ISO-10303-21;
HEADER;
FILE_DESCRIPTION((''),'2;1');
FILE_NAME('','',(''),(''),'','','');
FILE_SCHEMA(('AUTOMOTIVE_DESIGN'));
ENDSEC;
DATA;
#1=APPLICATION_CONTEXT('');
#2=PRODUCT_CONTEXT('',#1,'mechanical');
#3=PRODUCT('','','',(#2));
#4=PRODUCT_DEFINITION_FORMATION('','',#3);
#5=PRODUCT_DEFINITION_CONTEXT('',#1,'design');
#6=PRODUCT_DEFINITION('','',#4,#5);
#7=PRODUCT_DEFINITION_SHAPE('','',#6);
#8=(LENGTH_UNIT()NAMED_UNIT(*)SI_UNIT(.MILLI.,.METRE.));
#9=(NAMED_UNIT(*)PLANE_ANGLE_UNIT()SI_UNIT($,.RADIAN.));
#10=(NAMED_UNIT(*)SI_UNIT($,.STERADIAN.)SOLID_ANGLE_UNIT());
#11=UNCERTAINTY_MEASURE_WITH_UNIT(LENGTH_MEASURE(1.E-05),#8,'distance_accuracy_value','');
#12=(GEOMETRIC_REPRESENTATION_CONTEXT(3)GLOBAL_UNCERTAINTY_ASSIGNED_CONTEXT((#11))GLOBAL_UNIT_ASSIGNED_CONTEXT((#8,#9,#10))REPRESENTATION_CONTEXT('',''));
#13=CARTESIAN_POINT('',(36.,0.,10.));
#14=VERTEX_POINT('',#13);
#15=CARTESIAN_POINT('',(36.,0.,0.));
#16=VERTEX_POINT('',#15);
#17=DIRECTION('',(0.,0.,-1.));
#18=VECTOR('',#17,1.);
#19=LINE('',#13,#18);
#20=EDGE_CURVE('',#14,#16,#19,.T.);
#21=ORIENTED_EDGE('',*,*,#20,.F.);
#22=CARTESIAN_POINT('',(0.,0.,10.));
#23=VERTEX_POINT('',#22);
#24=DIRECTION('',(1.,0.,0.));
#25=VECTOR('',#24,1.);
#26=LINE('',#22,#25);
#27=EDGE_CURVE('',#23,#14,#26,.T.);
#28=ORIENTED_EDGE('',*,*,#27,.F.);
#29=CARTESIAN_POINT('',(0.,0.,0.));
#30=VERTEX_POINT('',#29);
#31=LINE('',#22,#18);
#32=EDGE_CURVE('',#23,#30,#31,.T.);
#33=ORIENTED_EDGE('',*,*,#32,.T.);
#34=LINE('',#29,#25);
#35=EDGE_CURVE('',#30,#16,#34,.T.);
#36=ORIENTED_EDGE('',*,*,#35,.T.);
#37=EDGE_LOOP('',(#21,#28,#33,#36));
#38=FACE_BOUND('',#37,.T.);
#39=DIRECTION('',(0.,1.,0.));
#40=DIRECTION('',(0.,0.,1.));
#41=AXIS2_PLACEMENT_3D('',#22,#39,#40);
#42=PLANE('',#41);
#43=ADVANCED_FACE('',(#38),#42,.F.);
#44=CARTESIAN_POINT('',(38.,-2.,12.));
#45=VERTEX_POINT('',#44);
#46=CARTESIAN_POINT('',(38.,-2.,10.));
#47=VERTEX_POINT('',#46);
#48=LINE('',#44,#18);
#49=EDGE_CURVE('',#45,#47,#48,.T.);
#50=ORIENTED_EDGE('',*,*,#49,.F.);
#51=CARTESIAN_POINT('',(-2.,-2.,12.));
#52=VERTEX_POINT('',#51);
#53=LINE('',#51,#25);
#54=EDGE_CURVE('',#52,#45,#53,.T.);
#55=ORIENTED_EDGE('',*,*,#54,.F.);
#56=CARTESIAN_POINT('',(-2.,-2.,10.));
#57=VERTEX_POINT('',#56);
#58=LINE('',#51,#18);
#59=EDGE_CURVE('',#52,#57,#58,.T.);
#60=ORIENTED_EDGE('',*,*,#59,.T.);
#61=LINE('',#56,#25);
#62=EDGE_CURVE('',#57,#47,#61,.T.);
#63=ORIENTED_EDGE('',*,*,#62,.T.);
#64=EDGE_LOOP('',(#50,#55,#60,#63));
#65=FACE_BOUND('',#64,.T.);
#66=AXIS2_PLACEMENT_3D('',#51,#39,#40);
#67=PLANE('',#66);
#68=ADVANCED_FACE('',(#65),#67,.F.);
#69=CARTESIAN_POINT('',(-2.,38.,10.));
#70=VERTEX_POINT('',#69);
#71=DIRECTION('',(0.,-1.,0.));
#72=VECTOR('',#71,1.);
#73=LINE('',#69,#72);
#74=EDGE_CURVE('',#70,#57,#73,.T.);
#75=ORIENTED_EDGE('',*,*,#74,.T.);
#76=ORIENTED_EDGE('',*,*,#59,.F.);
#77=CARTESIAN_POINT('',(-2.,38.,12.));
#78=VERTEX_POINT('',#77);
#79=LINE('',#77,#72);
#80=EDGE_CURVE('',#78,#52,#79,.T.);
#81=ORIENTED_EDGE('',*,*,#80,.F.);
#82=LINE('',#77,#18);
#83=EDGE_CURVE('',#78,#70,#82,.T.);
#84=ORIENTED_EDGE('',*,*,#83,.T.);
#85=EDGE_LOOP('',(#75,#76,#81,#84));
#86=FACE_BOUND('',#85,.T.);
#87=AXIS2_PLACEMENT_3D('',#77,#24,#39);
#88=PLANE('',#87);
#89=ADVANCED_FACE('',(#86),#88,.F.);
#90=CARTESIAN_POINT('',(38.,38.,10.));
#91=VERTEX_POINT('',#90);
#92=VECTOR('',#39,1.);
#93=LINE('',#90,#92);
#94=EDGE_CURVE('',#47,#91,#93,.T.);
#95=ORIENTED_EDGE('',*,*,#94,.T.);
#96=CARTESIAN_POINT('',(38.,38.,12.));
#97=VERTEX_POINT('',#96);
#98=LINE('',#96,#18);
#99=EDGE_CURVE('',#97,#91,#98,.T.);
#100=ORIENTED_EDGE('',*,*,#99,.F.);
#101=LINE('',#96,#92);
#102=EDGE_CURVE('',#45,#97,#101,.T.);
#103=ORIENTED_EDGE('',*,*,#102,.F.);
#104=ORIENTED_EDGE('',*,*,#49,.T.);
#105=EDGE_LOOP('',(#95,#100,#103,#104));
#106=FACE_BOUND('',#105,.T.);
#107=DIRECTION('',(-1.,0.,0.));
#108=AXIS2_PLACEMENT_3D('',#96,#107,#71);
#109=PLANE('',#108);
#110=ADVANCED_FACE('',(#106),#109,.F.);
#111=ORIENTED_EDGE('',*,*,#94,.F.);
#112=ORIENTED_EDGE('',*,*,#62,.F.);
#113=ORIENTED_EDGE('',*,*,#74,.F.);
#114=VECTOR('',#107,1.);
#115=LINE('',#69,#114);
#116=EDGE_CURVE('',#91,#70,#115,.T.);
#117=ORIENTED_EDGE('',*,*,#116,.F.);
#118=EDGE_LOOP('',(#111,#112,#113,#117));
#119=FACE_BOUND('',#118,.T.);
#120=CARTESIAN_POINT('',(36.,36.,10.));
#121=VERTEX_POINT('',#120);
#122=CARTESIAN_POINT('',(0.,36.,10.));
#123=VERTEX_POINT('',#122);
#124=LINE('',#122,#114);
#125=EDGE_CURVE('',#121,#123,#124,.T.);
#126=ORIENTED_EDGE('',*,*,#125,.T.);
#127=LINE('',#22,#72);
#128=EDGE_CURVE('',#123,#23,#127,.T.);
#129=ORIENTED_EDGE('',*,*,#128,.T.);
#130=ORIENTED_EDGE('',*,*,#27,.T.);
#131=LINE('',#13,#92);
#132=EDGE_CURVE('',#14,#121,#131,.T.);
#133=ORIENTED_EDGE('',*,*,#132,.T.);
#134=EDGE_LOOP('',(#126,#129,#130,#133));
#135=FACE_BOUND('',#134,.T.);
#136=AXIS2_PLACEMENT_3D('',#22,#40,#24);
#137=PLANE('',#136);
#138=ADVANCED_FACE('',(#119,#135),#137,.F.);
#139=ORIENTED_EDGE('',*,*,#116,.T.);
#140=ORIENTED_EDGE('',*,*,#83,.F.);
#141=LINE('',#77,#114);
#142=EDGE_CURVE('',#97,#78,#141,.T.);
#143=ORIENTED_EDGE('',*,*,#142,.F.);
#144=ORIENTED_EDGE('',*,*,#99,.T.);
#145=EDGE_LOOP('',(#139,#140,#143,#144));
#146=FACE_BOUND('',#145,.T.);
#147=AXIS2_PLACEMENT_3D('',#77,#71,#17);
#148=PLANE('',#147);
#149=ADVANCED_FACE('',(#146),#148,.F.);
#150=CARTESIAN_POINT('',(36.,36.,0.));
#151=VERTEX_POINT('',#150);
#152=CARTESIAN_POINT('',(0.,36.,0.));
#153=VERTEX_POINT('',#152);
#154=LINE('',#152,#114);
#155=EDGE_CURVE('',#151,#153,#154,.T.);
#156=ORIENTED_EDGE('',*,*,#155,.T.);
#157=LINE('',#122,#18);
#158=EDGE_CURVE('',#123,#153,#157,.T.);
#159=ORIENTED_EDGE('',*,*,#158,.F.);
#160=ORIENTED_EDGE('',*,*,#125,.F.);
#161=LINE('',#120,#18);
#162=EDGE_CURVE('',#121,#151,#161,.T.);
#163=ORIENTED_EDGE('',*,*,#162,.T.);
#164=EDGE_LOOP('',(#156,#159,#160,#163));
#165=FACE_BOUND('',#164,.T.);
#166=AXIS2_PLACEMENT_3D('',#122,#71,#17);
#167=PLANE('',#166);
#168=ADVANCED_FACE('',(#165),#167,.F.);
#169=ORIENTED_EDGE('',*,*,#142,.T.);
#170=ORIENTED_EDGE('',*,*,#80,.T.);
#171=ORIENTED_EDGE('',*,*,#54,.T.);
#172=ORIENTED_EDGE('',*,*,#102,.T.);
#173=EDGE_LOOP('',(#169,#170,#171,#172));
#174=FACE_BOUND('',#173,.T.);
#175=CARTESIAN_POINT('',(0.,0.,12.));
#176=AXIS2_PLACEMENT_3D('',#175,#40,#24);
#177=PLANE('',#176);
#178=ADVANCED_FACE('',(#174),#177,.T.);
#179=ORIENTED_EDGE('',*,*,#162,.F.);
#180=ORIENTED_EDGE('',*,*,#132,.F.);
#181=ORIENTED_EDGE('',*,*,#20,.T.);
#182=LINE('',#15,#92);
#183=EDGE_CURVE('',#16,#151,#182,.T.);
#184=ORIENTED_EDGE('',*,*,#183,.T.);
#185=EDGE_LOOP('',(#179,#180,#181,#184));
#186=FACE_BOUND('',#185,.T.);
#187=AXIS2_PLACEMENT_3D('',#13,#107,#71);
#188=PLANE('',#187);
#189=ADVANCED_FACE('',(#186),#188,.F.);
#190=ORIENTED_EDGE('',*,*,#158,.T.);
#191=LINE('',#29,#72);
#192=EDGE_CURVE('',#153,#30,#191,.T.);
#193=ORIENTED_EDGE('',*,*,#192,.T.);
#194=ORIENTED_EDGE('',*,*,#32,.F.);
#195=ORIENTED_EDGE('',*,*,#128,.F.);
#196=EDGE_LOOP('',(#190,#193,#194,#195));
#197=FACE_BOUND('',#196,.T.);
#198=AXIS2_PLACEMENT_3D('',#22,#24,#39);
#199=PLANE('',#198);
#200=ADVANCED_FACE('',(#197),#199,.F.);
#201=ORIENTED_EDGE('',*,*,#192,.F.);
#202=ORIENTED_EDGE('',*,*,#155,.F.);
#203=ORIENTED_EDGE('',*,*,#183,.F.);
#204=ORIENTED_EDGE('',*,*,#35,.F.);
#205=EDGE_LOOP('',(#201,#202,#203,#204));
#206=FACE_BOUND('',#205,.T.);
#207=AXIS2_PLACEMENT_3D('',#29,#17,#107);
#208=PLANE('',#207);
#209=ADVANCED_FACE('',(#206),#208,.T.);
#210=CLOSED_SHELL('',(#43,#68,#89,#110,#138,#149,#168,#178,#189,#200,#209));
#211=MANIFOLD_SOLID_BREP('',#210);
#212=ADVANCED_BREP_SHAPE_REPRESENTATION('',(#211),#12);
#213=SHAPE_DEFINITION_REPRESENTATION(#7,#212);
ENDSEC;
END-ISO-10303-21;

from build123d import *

# Parameters (mm, degrees)
SKETCH1_W           = 36
SKETCH1_H           = 36
BOSS_EXTRUDE1_DEPTH = 10
SKETCH2_W           = 40
SKETCH2_H           = 40
BOSS_EXTRUDE2_DEPTH = 2


with BuildPart() as part:
    # Sketch1 → Boss-Extrude1 (new body)
    with BuildSketch(Plane.XY):
        with Locations((18, 18)):
            Rectangle(SKETCH1_W, SKETCH1_H)
    extrude(amount=BOSS_EXTRUDE1_DEPTH)

    # Sketch2 → Boss-Extrude2 (add)
    with BuildSketch(Plane.XY.offset(10)):
        with Locations((18, 18)):
            Rectangle(SKETCH2_W, SKETCH2_H)
    extrude(amount=BOSS_EXTRUDE2_DEPTH)


solid = part.part
